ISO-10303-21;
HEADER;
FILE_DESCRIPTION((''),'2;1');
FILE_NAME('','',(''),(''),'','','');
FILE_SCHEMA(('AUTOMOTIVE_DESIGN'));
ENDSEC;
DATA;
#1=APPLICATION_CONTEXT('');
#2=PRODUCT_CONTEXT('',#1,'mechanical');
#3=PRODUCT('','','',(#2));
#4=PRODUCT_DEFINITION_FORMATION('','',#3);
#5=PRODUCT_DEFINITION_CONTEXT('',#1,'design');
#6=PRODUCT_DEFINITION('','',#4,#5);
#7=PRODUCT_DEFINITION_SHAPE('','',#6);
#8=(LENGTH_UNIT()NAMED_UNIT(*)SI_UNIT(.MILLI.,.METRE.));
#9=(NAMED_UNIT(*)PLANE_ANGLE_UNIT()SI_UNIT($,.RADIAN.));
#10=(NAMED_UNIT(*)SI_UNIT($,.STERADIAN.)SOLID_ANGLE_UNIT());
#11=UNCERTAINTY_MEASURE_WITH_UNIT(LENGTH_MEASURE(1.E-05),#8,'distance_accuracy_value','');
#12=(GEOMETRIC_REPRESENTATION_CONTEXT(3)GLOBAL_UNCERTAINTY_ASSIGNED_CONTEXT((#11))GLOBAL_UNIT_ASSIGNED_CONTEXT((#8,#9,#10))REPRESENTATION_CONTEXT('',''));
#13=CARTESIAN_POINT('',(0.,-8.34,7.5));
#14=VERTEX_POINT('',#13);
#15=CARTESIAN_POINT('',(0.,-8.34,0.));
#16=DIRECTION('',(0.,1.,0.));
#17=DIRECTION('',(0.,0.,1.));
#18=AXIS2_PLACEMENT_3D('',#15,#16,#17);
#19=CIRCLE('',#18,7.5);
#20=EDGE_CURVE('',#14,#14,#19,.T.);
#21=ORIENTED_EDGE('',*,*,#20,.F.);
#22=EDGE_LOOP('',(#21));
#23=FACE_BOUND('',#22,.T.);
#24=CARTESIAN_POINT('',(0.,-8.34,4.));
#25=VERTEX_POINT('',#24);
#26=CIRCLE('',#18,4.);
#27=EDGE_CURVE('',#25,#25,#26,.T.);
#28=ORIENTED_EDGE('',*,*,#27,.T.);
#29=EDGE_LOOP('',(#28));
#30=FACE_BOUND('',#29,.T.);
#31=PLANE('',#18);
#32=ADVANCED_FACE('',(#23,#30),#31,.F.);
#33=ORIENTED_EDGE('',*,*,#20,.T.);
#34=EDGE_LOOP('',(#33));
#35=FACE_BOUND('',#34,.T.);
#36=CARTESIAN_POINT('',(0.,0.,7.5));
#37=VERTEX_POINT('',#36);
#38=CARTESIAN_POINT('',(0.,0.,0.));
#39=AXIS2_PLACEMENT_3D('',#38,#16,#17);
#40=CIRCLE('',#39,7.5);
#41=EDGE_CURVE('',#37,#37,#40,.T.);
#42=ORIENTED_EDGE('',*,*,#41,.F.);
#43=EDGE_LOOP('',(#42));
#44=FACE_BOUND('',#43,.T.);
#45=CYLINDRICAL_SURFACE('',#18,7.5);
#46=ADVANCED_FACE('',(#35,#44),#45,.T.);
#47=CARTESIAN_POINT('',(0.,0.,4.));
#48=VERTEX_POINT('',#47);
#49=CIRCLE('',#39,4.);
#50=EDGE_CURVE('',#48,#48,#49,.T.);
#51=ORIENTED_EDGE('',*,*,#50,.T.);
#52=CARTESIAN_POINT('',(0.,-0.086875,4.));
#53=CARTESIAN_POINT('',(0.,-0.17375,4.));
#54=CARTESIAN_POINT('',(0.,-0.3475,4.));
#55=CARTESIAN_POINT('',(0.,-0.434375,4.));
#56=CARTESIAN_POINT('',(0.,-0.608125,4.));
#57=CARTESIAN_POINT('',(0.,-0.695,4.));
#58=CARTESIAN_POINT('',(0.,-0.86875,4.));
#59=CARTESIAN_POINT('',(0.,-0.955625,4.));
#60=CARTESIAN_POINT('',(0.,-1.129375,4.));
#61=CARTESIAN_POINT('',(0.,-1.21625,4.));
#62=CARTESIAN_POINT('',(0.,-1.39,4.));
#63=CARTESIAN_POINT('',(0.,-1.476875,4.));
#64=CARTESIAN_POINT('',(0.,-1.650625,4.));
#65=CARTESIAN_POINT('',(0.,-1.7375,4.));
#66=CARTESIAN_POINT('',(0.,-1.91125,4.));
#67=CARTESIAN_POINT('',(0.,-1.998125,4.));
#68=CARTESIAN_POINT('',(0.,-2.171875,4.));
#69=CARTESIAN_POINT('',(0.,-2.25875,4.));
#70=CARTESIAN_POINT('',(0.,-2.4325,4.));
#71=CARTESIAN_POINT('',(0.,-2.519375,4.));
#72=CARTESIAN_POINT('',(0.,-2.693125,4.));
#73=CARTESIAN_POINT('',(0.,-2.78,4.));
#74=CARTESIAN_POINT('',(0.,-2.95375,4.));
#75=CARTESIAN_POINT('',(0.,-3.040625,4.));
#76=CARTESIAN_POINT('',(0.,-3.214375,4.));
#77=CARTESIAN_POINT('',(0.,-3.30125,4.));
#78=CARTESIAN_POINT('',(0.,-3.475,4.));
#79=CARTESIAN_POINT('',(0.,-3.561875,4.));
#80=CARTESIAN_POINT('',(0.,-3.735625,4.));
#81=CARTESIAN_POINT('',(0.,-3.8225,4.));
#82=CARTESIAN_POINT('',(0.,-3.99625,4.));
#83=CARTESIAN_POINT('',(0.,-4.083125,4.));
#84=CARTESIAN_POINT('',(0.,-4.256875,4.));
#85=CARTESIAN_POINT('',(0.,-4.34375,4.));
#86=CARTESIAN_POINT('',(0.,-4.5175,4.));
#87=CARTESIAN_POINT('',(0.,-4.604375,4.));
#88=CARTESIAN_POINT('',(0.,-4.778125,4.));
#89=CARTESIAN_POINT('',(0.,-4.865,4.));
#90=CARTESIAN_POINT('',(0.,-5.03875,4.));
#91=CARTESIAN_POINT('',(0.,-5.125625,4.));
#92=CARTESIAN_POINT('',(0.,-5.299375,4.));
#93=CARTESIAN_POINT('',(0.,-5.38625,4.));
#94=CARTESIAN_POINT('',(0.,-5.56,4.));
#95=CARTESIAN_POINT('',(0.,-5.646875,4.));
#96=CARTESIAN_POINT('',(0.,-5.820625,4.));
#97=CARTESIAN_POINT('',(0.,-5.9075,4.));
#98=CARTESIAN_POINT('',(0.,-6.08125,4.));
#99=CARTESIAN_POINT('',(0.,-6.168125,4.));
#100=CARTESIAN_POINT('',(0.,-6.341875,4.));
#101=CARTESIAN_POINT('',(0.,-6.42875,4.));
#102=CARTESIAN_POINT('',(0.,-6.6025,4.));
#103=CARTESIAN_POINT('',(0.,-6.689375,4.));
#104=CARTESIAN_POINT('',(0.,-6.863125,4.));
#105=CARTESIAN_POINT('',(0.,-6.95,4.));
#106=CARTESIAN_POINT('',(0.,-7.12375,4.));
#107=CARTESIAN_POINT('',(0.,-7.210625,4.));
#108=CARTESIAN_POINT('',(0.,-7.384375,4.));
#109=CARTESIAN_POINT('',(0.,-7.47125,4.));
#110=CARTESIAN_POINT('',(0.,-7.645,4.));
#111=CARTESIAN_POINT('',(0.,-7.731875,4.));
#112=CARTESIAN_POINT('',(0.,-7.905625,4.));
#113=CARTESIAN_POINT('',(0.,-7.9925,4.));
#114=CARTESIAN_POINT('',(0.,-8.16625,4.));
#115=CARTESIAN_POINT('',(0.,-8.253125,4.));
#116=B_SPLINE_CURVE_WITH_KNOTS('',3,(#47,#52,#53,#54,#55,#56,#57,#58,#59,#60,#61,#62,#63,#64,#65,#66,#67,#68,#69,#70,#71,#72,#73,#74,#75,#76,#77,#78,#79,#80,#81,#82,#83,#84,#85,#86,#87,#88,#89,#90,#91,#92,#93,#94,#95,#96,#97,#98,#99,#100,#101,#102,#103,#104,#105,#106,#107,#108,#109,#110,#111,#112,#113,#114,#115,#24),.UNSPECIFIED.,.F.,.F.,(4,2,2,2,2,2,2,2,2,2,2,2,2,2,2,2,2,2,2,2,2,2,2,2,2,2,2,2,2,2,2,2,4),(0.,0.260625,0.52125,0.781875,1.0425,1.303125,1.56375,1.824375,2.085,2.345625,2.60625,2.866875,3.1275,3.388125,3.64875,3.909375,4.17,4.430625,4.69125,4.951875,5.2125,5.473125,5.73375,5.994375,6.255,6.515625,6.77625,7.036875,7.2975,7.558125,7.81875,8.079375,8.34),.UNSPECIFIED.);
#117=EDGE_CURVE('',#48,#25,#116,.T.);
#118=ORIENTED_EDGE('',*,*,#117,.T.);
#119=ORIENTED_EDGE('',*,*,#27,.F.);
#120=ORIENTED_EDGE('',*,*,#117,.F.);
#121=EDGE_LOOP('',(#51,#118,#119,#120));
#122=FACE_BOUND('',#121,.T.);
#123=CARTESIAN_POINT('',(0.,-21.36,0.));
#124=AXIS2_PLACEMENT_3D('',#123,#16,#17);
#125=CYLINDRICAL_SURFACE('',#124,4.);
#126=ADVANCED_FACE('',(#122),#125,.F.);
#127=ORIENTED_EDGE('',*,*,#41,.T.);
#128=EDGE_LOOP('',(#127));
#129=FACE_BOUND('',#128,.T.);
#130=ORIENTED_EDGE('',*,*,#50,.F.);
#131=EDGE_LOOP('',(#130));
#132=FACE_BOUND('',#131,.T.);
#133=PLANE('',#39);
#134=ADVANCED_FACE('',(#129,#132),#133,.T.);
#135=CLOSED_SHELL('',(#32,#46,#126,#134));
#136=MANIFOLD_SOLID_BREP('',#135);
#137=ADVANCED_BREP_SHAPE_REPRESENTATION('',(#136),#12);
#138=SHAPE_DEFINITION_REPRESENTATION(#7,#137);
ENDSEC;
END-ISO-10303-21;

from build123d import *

# Parameters (mm, degrees)
SKETCH_1_R          = 7.5
EXTRUDE_1_DEPTH     = 8.34
SKETCH_3_R          = 4
CUT_EXTRUDE_1_DEPTH = 21.36


with BuildPart() as part:
    # 스케치1 → 보스-돌출1 (new body)
    with BuildSketch(Plane(origin=(0, 0, 0), x_dir=(1, 0, 0), z_dir=(0, 1, 0))):
        with Locations(Location((0, 0, 0), (0, 0, 270))):
            Circle(SKETCH_1_R)
    extrude(amount=-EXTRUDE_1_DEPTH)

    # 스케치3 → 컷-돌출1 (cut)
    with BuildSketch(Plane(origin=(0, 0, 0), x_dir=(1, 0, 0), z_dir=(0, 1, 0))):
        with Locations(Location((0, 0, 0), (0, 0, 270))):
            Circle(SKETCH_3_R)
    extrude(amount=-CUT_EXTRUDE_1_DEPTH, mode=Mode.SUBTRACT)


solid = part.part
